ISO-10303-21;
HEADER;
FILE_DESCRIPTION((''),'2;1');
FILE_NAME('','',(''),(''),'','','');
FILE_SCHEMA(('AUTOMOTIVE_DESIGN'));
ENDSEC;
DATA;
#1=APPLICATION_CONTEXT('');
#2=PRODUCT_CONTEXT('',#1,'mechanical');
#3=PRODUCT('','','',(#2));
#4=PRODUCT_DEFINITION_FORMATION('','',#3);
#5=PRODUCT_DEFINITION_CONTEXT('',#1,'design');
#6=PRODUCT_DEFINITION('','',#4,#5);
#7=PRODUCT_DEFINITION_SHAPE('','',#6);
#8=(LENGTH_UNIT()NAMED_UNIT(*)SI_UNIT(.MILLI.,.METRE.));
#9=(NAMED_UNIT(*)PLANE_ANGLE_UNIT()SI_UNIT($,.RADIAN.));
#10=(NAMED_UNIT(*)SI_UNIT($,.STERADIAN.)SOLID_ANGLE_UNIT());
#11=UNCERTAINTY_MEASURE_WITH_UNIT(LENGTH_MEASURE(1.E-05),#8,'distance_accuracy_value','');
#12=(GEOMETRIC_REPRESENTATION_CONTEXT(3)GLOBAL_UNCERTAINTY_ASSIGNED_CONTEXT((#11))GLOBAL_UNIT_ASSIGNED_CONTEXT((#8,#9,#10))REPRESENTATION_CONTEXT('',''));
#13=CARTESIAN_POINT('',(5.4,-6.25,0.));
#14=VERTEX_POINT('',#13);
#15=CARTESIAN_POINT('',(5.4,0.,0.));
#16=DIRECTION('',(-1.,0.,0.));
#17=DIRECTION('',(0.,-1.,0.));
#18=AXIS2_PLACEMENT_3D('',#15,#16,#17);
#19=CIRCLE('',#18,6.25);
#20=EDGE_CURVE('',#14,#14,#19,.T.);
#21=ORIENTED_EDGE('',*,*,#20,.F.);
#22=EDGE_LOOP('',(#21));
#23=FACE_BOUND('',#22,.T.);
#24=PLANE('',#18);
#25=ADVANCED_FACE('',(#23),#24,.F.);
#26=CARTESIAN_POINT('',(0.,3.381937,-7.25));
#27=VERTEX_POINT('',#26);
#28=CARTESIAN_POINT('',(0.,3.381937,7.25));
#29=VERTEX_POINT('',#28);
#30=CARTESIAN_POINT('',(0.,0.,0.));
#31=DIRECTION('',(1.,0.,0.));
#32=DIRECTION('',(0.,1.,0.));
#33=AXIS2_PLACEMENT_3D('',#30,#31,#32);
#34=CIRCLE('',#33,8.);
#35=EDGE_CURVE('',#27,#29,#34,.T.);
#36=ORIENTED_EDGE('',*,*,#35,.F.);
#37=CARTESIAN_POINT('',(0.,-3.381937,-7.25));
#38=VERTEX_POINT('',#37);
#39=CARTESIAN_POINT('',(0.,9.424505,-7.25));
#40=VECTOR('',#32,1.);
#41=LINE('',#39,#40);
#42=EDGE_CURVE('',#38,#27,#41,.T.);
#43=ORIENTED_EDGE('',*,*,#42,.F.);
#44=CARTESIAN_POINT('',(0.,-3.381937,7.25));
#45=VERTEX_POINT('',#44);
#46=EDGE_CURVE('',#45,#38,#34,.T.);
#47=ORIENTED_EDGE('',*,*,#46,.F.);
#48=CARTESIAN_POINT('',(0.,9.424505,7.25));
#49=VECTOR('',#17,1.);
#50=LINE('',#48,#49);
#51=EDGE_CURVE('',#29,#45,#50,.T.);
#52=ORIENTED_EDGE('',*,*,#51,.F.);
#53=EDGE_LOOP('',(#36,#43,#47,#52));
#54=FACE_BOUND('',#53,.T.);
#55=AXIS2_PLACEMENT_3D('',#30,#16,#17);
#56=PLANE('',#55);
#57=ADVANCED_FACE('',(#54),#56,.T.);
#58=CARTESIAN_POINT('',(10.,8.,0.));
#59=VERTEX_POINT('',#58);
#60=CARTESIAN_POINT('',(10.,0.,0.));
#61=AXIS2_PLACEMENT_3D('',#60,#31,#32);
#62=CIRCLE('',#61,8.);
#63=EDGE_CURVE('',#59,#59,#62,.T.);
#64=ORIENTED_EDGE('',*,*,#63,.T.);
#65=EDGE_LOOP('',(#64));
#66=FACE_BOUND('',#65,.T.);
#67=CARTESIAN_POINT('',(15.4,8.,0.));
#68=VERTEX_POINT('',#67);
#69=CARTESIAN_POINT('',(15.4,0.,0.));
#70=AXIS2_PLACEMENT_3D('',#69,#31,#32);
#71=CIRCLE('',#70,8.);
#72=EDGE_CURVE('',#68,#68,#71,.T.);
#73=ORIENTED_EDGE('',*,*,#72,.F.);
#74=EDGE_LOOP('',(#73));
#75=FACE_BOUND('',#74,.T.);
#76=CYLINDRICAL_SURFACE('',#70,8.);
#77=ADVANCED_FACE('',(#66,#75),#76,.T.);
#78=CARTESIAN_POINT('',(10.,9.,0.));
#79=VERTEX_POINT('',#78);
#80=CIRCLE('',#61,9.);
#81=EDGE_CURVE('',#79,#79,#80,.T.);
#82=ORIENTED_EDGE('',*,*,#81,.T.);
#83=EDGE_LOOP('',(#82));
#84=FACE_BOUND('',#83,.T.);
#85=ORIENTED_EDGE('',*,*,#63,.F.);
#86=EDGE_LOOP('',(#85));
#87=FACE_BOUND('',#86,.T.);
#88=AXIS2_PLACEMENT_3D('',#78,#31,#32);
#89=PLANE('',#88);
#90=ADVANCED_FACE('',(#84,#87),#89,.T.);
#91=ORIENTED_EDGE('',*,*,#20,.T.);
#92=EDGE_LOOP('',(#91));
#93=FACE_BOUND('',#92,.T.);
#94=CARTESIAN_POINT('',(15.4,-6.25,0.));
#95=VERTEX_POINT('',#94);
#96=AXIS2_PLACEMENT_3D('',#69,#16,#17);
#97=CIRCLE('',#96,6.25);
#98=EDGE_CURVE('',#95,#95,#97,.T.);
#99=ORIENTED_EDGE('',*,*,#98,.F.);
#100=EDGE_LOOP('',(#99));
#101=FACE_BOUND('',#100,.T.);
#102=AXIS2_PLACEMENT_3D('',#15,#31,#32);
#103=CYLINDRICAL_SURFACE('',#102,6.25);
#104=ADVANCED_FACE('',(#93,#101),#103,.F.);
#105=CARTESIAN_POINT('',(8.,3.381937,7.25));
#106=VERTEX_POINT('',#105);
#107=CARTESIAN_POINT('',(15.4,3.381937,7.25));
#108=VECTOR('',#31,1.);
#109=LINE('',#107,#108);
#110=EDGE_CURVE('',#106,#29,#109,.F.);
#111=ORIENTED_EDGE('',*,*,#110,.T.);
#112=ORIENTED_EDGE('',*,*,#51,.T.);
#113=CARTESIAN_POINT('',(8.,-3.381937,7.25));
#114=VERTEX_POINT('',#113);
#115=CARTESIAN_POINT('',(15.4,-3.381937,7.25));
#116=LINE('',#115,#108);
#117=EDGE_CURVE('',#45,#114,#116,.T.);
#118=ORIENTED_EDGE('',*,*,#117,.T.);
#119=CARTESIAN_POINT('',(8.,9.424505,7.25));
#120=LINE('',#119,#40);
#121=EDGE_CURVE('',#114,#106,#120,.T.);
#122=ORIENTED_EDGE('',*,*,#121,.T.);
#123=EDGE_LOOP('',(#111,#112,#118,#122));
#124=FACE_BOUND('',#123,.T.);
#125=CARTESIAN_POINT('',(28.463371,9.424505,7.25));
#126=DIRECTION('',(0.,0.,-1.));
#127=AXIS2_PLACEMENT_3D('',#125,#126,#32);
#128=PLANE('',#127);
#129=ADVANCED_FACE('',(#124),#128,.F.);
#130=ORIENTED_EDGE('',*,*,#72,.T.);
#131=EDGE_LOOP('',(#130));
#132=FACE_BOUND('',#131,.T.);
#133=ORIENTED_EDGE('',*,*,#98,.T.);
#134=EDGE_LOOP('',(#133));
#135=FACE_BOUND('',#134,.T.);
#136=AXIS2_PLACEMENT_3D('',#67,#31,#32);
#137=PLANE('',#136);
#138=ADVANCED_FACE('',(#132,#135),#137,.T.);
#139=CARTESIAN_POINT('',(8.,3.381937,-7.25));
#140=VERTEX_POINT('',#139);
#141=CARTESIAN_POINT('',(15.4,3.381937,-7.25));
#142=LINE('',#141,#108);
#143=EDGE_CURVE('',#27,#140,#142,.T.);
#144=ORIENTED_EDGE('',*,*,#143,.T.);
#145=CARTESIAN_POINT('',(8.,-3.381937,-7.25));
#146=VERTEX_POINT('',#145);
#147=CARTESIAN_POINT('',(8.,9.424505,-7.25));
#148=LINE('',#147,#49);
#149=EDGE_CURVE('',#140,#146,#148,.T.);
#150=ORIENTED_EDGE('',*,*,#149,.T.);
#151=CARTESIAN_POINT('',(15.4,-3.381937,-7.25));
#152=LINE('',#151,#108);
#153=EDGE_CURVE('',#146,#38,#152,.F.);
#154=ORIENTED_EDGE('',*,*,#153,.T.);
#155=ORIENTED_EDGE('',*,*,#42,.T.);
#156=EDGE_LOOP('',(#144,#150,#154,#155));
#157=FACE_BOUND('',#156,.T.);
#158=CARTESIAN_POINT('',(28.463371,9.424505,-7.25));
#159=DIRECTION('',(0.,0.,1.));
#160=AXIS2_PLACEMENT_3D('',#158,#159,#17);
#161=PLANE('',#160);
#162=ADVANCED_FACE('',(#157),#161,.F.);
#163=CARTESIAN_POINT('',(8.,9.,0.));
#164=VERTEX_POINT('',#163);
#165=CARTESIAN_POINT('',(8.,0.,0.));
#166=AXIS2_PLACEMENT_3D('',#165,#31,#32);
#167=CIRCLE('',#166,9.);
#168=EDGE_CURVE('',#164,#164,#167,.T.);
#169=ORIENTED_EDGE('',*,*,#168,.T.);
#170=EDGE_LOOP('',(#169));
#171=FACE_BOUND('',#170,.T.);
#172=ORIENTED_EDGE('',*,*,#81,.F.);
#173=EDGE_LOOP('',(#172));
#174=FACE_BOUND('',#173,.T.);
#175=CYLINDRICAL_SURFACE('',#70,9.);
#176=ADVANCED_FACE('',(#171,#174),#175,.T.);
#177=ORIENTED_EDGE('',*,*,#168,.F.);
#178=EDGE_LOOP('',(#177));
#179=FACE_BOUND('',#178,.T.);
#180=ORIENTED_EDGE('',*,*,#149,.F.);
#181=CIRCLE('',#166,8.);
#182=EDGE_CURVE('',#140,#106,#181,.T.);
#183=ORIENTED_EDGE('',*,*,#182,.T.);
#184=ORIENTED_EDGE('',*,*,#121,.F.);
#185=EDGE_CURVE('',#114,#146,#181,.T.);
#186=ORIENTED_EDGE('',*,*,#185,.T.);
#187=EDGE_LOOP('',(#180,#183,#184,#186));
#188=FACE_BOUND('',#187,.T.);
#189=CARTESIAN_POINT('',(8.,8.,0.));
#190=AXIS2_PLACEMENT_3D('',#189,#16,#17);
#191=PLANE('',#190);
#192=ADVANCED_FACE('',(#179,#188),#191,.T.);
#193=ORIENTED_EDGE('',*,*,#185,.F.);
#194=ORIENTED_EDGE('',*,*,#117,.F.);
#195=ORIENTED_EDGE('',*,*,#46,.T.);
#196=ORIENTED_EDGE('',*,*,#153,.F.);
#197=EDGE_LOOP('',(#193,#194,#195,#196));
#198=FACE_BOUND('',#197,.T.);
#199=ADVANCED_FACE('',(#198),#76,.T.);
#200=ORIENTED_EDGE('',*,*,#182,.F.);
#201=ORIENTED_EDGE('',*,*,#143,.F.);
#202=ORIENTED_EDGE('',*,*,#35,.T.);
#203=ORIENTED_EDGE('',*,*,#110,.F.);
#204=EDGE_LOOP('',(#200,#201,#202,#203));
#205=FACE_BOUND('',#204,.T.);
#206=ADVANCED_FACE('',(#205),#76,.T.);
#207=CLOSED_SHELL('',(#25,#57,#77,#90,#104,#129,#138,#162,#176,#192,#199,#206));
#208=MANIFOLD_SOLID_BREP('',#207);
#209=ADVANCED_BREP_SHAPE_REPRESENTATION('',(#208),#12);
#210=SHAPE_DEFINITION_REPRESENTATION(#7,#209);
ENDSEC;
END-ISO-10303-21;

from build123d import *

# Parameters (mm, degrees)
SKETCH_4_R          = 6.25
CUT_EXTRUDE_1_DEPTH = 10
SKETCH_5_W          = 4.872533435
SKETCH_5_H          = 19.874807433
CUT_EXTRUDE_2_DEPTH = 8


with BuildPart() as part:
    # 草图3 → 旋转1 (revolve)
    with BuildSketch(Plane.XY):
        Polygon((0, 0), (0, 8), (8, 8), (8, 9), (10, 9), (10, 8), (15.4, 8), (15.4, 0), align=None)
    revolve(axis=Axis((15.4, 0, 0), (-1, 0, 0)))

    # 草图4 → 切除-拉伸1 (cut)
    with BuildSketch(Plane.ZY.offset(-15.4)):
        with Locations(Location((0, 0, 0), (0, 0, 270))):
            Circle(SKETCH_4_R)
    extrude(amount=CUT_EXTRUDE_1_DEPTH, mode=Mode.SUBTRACT)

    # 草图5 → 切除-拉伸2 (cut)
    with BuildSketch(Plane.ZY):
        with Locations((9.686266718, -0.512898256)):
            Rectangle(SKETCH_5_W, SKETCH_5_H)
        with Locations((-9.686266718, -0.512898256)):
            Rectangle(SKETCH_5_W, SKETCH_5_H)
    extrude(amount=-CUT_EXTRUDE_2_DEPTH, mode=Mode.SUBTRACT)


solid = part.part
